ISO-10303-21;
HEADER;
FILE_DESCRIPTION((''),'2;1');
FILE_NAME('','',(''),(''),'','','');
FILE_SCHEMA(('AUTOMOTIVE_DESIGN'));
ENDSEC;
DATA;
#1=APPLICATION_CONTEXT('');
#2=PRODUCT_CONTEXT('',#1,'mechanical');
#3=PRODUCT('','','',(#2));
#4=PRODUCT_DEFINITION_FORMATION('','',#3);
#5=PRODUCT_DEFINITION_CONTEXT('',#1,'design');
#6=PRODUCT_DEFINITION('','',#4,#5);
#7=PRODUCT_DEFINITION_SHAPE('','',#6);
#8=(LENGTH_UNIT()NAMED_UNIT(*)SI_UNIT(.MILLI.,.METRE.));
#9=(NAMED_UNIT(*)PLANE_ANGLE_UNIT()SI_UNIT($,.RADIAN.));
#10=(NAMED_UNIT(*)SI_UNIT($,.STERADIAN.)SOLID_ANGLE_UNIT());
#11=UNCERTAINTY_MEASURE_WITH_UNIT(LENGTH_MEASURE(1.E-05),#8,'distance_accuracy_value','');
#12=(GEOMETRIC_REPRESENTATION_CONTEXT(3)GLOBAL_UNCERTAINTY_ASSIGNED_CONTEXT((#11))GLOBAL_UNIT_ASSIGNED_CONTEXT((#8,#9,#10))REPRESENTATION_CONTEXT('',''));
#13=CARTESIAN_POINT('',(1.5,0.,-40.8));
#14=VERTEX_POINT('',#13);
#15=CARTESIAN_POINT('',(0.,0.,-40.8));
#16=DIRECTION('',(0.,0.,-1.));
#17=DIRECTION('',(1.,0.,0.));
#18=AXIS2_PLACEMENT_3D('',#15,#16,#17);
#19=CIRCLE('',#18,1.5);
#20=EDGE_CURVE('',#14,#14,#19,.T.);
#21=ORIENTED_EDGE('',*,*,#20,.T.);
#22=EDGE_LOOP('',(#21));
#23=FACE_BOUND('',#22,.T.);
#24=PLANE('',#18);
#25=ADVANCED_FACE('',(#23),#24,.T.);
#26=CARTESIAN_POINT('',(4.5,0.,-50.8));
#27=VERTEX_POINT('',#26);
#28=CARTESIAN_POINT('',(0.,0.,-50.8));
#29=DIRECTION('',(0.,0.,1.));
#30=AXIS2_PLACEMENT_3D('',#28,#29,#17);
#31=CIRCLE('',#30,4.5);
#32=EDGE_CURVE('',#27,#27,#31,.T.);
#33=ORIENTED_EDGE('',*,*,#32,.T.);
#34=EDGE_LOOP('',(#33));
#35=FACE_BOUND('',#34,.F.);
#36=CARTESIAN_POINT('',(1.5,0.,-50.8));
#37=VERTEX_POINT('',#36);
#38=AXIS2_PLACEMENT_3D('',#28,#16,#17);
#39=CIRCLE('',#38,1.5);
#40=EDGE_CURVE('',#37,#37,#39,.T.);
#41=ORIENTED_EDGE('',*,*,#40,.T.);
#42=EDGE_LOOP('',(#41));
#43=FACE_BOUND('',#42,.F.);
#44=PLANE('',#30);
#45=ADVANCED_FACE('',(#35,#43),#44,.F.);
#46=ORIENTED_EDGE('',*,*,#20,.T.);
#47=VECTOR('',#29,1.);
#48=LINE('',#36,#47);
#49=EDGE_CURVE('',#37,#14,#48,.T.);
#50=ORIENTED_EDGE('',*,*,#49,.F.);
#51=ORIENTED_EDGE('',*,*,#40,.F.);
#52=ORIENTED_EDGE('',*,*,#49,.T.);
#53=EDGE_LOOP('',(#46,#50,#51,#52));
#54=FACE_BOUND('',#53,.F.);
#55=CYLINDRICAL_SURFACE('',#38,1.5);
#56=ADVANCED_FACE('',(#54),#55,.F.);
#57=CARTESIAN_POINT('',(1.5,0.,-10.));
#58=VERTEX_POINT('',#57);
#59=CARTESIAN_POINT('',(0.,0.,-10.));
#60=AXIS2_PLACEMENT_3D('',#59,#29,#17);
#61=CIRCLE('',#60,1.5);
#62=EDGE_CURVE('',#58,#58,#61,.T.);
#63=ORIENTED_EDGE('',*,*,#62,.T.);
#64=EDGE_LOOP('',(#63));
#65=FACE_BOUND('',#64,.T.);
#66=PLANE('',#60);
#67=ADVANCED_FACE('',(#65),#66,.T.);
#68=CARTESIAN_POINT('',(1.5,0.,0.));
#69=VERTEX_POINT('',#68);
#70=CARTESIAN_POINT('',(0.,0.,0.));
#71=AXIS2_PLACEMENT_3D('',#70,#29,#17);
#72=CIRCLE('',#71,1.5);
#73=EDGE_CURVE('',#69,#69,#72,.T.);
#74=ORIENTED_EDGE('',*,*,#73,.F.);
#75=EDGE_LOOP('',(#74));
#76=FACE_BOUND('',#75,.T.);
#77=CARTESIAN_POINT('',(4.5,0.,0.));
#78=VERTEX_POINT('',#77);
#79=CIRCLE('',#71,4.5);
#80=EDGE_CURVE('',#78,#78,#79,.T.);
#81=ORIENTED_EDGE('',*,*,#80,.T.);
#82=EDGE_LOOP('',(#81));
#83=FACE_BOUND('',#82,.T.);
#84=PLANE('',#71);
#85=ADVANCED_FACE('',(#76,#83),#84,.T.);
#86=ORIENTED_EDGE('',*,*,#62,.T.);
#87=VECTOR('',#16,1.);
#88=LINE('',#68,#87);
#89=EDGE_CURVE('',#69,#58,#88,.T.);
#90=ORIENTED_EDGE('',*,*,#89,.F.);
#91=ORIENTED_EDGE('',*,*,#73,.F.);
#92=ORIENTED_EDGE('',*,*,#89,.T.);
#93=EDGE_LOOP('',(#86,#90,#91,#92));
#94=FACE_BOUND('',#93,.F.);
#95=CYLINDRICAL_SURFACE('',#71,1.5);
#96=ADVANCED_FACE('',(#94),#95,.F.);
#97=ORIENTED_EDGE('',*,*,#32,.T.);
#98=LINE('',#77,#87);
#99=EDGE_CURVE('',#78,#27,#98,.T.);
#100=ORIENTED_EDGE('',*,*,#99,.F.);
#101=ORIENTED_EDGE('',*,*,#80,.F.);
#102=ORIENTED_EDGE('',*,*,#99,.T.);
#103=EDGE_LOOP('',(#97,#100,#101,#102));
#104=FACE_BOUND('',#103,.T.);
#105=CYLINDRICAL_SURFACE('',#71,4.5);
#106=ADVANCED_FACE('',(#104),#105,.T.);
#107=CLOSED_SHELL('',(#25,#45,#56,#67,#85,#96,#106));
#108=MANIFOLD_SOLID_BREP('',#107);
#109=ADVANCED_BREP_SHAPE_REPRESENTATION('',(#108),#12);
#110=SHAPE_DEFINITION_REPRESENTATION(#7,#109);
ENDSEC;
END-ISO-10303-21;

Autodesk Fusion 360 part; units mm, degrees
sketch "Sketch1" plane through (0, 0, 0) normal (0, 0, 1) x (1, 0, 0)
  circle A0 centre (0, 0) radius 4.5
  circle A1 centre (0, 0) radius 1.5
  dimension "d1" = 9
  dimension "d2" = 3
extrude "Extrude1" add sketch "Sketch1" against normal blind 50.8 contours A0 | A1
extrude "Extrude2" cut sketch "Sketch1" against normal blind 10 contours A1
sketch "Sketch2" plane through (0, 0, -50.8) normal (0, 0, -1) x (1, 0, 0)
  circle A0 centre (0, 0) radius 4.5
  circle A1 centre (0, 0) radius 1.5
extrude "Extrude3" cut sketch "Sketch2" against normal blind 10 contours A1
equation "d3 = -25.4 * 2 mm"
